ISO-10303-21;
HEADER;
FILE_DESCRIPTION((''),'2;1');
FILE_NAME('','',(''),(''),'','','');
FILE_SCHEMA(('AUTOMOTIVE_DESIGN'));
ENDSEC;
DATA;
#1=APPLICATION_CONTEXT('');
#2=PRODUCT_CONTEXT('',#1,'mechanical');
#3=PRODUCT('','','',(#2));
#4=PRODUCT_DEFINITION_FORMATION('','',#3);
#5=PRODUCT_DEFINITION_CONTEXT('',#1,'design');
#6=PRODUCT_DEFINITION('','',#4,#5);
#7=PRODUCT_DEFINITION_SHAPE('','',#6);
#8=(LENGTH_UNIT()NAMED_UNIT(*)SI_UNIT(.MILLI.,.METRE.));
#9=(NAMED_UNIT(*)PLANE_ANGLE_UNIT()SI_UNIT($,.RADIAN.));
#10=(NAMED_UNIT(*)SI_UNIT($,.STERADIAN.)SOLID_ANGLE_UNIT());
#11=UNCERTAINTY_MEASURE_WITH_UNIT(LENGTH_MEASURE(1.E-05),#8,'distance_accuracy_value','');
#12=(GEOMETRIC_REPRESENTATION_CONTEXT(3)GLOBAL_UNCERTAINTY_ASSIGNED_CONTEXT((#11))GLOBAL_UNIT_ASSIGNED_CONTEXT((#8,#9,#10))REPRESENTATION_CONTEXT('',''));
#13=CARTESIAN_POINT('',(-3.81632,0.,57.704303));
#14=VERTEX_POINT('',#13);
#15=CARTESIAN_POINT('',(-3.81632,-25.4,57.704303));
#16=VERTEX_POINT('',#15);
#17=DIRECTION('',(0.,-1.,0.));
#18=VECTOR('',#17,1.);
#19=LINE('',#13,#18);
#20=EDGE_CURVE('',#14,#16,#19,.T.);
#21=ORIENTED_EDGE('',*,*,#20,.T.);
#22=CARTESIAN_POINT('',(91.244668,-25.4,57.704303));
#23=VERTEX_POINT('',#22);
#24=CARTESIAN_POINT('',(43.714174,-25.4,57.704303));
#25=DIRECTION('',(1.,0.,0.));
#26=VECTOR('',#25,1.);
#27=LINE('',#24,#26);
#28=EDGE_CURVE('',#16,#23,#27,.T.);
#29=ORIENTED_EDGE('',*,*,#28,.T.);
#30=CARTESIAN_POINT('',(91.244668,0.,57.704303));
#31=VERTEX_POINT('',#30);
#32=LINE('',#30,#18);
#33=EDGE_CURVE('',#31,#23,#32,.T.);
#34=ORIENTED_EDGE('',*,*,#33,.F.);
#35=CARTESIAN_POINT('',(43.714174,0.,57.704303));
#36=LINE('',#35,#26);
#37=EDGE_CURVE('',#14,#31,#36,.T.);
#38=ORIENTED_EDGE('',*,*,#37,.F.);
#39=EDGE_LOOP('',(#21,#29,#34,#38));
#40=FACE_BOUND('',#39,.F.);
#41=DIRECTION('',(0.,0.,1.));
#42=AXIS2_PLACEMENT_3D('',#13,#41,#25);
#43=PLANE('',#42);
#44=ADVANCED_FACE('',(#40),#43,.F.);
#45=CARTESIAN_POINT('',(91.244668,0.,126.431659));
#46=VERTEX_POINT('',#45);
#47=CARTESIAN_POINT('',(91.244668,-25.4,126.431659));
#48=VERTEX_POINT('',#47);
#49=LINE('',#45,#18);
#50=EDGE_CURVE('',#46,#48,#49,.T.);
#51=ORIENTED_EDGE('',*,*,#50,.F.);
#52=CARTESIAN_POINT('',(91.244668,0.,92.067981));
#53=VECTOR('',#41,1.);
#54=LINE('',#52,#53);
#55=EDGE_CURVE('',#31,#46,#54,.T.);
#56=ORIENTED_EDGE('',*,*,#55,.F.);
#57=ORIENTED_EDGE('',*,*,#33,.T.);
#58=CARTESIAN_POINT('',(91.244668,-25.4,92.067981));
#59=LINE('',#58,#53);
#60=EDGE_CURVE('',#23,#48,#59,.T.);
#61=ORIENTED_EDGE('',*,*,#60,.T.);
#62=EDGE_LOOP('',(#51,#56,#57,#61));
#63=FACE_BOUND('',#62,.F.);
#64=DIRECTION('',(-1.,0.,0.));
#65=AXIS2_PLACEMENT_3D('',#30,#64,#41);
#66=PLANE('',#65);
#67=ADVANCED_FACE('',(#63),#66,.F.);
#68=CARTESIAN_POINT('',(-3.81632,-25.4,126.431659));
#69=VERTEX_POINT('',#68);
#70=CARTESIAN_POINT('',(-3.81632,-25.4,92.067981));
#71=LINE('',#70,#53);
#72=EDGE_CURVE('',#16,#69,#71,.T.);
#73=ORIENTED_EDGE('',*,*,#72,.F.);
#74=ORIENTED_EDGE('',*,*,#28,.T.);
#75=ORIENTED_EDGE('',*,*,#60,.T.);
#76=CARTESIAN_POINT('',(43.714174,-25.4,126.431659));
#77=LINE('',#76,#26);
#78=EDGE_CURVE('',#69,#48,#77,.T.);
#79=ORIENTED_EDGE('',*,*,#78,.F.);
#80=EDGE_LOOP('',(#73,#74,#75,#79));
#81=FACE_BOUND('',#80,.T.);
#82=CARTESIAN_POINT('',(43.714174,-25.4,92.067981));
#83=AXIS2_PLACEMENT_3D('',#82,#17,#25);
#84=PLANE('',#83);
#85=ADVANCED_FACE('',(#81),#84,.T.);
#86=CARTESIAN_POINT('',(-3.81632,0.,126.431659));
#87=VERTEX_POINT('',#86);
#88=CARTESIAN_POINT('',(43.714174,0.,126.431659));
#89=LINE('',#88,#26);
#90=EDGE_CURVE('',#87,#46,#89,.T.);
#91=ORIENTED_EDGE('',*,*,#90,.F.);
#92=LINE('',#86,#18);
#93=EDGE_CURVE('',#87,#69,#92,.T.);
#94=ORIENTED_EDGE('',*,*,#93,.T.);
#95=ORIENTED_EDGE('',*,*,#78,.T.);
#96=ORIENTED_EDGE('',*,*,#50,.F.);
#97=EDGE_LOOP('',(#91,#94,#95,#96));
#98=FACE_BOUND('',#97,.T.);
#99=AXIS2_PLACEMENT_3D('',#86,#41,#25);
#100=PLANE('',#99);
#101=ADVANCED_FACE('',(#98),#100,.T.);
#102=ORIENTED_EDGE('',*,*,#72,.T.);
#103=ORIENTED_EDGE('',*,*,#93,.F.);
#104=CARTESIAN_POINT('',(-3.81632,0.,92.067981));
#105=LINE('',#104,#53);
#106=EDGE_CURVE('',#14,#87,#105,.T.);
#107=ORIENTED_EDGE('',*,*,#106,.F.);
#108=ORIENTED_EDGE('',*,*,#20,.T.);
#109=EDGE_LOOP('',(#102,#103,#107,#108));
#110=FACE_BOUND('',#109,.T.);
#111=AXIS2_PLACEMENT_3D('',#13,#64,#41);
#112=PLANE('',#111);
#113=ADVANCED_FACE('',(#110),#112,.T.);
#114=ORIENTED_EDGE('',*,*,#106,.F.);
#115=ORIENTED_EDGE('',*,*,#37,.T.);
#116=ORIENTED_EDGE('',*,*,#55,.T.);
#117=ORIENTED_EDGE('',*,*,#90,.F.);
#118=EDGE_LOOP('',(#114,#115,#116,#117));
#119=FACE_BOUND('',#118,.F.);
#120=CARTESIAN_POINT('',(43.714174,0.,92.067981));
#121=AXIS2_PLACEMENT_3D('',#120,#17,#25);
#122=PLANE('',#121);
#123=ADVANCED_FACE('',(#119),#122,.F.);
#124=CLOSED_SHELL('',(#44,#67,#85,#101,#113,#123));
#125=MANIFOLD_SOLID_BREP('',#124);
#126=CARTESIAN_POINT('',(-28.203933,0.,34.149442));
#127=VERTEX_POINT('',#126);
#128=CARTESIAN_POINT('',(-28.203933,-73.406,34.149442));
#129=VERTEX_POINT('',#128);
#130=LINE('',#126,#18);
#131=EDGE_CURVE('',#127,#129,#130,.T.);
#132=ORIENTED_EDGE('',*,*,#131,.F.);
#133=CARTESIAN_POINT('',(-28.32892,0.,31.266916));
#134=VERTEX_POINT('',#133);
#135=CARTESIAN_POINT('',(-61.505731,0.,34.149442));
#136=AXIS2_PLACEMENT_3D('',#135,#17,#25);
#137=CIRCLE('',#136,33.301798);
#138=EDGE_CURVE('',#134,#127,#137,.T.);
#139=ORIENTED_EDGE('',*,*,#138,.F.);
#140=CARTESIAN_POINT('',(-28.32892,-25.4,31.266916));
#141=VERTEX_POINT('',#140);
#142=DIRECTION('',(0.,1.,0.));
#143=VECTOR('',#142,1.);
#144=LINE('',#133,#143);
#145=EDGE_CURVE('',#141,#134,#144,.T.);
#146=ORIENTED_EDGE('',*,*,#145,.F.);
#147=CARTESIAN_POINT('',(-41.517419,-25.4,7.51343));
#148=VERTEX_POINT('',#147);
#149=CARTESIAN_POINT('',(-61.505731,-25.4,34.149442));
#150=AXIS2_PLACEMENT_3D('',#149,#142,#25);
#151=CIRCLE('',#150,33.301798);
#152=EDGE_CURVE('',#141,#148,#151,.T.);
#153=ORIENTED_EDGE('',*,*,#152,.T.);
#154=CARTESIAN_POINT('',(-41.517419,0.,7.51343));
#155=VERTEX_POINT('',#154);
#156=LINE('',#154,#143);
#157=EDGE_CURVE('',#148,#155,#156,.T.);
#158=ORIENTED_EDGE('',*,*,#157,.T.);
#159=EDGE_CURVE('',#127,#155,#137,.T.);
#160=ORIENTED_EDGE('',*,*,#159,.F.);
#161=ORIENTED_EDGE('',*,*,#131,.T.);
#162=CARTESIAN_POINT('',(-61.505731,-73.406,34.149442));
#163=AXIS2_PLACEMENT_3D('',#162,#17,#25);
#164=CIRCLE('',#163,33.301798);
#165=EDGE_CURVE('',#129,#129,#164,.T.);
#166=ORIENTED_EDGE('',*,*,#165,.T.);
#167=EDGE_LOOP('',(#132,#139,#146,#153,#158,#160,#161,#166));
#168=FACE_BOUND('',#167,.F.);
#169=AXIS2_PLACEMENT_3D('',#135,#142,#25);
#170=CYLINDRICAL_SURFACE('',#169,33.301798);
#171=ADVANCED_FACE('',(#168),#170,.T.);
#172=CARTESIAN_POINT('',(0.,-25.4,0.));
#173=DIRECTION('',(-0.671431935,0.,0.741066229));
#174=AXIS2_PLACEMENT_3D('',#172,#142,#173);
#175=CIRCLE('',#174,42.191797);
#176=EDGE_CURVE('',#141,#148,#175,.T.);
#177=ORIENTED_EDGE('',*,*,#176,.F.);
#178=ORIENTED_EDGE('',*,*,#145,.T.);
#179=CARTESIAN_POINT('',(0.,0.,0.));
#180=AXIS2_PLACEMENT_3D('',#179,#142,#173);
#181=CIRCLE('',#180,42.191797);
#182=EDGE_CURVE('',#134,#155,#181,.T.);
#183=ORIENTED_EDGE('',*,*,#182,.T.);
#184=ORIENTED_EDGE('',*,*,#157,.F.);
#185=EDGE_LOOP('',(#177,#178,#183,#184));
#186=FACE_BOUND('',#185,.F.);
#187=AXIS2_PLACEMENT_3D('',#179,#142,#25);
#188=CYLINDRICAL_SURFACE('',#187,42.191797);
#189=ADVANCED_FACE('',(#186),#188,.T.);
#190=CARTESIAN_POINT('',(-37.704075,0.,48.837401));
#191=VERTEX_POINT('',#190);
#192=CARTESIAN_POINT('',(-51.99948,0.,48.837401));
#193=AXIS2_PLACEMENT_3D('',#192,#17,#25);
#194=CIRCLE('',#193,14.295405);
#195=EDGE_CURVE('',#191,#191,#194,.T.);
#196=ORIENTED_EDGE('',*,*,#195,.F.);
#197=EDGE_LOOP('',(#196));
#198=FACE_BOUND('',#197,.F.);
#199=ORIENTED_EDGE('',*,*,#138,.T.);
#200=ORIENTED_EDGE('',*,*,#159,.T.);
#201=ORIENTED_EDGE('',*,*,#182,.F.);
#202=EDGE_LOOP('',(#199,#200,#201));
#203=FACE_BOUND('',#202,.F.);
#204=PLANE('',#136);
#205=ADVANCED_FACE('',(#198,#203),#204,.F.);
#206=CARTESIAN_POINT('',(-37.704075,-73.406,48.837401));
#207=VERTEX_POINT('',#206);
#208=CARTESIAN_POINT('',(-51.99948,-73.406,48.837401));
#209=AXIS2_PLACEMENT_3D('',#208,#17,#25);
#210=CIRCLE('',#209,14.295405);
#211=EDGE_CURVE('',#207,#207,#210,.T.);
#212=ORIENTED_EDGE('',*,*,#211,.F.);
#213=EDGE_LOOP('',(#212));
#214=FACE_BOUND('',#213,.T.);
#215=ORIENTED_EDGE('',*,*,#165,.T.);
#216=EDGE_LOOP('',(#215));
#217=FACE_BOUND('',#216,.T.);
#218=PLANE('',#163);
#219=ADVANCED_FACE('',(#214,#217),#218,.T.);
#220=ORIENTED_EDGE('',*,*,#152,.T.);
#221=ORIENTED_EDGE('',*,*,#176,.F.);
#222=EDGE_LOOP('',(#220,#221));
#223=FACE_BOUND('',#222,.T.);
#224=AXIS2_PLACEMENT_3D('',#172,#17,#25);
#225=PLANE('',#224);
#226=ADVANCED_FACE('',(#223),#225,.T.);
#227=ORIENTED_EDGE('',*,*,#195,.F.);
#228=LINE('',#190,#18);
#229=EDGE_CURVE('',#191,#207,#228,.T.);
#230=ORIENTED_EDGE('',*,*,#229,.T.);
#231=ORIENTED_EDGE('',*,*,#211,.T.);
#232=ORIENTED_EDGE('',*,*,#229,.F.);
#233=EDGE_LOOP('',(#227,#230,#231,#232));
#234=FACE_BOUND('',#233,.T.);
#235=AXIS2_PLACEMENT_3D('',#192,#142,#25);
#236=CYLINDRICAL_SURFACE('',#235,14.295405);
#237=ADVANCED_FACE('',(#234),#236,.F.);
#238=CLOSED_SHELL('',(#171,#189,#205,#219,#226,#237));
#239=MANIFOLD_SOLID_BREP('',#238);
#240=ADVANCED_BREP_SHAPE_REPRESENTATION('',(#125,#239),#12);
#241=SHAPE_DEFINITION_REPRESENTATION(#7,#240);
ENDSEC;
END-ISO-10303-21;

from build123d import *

# Parameters (mm, degrees)
F0_W     = 95.060987
F0_H     = 68.727356
F0_R     = 42.191797
F1_DEPTH = 25.4
F2_R     = 33.301798
F2_R_2   = 14.295405
F3_DEPTH = 73.406


with BuildPart() as f1:
    # F0 (on Front) → F1 (new body)
    with BuildSketch(Plane.XZ):
        with Locations((43.714174, 92.067981)):
            Rectangle(F0_W, F0_H)
        Circle(F0_R)
    extrude(amount=F1_DEPTH)

    # F2 (on Front) → F3 (join)
    with BuildSketch(Plane.XZ):
        with Locations((-61.505731, 34.149442)):
            Circle(F2_R)
        with Locations((-51.99948, 48.837401)):
            Circle(F2_R_2, mode=Mode.SUBTRACT)
    extrude(amount=F3_DEPTH)


solid = f1.part
